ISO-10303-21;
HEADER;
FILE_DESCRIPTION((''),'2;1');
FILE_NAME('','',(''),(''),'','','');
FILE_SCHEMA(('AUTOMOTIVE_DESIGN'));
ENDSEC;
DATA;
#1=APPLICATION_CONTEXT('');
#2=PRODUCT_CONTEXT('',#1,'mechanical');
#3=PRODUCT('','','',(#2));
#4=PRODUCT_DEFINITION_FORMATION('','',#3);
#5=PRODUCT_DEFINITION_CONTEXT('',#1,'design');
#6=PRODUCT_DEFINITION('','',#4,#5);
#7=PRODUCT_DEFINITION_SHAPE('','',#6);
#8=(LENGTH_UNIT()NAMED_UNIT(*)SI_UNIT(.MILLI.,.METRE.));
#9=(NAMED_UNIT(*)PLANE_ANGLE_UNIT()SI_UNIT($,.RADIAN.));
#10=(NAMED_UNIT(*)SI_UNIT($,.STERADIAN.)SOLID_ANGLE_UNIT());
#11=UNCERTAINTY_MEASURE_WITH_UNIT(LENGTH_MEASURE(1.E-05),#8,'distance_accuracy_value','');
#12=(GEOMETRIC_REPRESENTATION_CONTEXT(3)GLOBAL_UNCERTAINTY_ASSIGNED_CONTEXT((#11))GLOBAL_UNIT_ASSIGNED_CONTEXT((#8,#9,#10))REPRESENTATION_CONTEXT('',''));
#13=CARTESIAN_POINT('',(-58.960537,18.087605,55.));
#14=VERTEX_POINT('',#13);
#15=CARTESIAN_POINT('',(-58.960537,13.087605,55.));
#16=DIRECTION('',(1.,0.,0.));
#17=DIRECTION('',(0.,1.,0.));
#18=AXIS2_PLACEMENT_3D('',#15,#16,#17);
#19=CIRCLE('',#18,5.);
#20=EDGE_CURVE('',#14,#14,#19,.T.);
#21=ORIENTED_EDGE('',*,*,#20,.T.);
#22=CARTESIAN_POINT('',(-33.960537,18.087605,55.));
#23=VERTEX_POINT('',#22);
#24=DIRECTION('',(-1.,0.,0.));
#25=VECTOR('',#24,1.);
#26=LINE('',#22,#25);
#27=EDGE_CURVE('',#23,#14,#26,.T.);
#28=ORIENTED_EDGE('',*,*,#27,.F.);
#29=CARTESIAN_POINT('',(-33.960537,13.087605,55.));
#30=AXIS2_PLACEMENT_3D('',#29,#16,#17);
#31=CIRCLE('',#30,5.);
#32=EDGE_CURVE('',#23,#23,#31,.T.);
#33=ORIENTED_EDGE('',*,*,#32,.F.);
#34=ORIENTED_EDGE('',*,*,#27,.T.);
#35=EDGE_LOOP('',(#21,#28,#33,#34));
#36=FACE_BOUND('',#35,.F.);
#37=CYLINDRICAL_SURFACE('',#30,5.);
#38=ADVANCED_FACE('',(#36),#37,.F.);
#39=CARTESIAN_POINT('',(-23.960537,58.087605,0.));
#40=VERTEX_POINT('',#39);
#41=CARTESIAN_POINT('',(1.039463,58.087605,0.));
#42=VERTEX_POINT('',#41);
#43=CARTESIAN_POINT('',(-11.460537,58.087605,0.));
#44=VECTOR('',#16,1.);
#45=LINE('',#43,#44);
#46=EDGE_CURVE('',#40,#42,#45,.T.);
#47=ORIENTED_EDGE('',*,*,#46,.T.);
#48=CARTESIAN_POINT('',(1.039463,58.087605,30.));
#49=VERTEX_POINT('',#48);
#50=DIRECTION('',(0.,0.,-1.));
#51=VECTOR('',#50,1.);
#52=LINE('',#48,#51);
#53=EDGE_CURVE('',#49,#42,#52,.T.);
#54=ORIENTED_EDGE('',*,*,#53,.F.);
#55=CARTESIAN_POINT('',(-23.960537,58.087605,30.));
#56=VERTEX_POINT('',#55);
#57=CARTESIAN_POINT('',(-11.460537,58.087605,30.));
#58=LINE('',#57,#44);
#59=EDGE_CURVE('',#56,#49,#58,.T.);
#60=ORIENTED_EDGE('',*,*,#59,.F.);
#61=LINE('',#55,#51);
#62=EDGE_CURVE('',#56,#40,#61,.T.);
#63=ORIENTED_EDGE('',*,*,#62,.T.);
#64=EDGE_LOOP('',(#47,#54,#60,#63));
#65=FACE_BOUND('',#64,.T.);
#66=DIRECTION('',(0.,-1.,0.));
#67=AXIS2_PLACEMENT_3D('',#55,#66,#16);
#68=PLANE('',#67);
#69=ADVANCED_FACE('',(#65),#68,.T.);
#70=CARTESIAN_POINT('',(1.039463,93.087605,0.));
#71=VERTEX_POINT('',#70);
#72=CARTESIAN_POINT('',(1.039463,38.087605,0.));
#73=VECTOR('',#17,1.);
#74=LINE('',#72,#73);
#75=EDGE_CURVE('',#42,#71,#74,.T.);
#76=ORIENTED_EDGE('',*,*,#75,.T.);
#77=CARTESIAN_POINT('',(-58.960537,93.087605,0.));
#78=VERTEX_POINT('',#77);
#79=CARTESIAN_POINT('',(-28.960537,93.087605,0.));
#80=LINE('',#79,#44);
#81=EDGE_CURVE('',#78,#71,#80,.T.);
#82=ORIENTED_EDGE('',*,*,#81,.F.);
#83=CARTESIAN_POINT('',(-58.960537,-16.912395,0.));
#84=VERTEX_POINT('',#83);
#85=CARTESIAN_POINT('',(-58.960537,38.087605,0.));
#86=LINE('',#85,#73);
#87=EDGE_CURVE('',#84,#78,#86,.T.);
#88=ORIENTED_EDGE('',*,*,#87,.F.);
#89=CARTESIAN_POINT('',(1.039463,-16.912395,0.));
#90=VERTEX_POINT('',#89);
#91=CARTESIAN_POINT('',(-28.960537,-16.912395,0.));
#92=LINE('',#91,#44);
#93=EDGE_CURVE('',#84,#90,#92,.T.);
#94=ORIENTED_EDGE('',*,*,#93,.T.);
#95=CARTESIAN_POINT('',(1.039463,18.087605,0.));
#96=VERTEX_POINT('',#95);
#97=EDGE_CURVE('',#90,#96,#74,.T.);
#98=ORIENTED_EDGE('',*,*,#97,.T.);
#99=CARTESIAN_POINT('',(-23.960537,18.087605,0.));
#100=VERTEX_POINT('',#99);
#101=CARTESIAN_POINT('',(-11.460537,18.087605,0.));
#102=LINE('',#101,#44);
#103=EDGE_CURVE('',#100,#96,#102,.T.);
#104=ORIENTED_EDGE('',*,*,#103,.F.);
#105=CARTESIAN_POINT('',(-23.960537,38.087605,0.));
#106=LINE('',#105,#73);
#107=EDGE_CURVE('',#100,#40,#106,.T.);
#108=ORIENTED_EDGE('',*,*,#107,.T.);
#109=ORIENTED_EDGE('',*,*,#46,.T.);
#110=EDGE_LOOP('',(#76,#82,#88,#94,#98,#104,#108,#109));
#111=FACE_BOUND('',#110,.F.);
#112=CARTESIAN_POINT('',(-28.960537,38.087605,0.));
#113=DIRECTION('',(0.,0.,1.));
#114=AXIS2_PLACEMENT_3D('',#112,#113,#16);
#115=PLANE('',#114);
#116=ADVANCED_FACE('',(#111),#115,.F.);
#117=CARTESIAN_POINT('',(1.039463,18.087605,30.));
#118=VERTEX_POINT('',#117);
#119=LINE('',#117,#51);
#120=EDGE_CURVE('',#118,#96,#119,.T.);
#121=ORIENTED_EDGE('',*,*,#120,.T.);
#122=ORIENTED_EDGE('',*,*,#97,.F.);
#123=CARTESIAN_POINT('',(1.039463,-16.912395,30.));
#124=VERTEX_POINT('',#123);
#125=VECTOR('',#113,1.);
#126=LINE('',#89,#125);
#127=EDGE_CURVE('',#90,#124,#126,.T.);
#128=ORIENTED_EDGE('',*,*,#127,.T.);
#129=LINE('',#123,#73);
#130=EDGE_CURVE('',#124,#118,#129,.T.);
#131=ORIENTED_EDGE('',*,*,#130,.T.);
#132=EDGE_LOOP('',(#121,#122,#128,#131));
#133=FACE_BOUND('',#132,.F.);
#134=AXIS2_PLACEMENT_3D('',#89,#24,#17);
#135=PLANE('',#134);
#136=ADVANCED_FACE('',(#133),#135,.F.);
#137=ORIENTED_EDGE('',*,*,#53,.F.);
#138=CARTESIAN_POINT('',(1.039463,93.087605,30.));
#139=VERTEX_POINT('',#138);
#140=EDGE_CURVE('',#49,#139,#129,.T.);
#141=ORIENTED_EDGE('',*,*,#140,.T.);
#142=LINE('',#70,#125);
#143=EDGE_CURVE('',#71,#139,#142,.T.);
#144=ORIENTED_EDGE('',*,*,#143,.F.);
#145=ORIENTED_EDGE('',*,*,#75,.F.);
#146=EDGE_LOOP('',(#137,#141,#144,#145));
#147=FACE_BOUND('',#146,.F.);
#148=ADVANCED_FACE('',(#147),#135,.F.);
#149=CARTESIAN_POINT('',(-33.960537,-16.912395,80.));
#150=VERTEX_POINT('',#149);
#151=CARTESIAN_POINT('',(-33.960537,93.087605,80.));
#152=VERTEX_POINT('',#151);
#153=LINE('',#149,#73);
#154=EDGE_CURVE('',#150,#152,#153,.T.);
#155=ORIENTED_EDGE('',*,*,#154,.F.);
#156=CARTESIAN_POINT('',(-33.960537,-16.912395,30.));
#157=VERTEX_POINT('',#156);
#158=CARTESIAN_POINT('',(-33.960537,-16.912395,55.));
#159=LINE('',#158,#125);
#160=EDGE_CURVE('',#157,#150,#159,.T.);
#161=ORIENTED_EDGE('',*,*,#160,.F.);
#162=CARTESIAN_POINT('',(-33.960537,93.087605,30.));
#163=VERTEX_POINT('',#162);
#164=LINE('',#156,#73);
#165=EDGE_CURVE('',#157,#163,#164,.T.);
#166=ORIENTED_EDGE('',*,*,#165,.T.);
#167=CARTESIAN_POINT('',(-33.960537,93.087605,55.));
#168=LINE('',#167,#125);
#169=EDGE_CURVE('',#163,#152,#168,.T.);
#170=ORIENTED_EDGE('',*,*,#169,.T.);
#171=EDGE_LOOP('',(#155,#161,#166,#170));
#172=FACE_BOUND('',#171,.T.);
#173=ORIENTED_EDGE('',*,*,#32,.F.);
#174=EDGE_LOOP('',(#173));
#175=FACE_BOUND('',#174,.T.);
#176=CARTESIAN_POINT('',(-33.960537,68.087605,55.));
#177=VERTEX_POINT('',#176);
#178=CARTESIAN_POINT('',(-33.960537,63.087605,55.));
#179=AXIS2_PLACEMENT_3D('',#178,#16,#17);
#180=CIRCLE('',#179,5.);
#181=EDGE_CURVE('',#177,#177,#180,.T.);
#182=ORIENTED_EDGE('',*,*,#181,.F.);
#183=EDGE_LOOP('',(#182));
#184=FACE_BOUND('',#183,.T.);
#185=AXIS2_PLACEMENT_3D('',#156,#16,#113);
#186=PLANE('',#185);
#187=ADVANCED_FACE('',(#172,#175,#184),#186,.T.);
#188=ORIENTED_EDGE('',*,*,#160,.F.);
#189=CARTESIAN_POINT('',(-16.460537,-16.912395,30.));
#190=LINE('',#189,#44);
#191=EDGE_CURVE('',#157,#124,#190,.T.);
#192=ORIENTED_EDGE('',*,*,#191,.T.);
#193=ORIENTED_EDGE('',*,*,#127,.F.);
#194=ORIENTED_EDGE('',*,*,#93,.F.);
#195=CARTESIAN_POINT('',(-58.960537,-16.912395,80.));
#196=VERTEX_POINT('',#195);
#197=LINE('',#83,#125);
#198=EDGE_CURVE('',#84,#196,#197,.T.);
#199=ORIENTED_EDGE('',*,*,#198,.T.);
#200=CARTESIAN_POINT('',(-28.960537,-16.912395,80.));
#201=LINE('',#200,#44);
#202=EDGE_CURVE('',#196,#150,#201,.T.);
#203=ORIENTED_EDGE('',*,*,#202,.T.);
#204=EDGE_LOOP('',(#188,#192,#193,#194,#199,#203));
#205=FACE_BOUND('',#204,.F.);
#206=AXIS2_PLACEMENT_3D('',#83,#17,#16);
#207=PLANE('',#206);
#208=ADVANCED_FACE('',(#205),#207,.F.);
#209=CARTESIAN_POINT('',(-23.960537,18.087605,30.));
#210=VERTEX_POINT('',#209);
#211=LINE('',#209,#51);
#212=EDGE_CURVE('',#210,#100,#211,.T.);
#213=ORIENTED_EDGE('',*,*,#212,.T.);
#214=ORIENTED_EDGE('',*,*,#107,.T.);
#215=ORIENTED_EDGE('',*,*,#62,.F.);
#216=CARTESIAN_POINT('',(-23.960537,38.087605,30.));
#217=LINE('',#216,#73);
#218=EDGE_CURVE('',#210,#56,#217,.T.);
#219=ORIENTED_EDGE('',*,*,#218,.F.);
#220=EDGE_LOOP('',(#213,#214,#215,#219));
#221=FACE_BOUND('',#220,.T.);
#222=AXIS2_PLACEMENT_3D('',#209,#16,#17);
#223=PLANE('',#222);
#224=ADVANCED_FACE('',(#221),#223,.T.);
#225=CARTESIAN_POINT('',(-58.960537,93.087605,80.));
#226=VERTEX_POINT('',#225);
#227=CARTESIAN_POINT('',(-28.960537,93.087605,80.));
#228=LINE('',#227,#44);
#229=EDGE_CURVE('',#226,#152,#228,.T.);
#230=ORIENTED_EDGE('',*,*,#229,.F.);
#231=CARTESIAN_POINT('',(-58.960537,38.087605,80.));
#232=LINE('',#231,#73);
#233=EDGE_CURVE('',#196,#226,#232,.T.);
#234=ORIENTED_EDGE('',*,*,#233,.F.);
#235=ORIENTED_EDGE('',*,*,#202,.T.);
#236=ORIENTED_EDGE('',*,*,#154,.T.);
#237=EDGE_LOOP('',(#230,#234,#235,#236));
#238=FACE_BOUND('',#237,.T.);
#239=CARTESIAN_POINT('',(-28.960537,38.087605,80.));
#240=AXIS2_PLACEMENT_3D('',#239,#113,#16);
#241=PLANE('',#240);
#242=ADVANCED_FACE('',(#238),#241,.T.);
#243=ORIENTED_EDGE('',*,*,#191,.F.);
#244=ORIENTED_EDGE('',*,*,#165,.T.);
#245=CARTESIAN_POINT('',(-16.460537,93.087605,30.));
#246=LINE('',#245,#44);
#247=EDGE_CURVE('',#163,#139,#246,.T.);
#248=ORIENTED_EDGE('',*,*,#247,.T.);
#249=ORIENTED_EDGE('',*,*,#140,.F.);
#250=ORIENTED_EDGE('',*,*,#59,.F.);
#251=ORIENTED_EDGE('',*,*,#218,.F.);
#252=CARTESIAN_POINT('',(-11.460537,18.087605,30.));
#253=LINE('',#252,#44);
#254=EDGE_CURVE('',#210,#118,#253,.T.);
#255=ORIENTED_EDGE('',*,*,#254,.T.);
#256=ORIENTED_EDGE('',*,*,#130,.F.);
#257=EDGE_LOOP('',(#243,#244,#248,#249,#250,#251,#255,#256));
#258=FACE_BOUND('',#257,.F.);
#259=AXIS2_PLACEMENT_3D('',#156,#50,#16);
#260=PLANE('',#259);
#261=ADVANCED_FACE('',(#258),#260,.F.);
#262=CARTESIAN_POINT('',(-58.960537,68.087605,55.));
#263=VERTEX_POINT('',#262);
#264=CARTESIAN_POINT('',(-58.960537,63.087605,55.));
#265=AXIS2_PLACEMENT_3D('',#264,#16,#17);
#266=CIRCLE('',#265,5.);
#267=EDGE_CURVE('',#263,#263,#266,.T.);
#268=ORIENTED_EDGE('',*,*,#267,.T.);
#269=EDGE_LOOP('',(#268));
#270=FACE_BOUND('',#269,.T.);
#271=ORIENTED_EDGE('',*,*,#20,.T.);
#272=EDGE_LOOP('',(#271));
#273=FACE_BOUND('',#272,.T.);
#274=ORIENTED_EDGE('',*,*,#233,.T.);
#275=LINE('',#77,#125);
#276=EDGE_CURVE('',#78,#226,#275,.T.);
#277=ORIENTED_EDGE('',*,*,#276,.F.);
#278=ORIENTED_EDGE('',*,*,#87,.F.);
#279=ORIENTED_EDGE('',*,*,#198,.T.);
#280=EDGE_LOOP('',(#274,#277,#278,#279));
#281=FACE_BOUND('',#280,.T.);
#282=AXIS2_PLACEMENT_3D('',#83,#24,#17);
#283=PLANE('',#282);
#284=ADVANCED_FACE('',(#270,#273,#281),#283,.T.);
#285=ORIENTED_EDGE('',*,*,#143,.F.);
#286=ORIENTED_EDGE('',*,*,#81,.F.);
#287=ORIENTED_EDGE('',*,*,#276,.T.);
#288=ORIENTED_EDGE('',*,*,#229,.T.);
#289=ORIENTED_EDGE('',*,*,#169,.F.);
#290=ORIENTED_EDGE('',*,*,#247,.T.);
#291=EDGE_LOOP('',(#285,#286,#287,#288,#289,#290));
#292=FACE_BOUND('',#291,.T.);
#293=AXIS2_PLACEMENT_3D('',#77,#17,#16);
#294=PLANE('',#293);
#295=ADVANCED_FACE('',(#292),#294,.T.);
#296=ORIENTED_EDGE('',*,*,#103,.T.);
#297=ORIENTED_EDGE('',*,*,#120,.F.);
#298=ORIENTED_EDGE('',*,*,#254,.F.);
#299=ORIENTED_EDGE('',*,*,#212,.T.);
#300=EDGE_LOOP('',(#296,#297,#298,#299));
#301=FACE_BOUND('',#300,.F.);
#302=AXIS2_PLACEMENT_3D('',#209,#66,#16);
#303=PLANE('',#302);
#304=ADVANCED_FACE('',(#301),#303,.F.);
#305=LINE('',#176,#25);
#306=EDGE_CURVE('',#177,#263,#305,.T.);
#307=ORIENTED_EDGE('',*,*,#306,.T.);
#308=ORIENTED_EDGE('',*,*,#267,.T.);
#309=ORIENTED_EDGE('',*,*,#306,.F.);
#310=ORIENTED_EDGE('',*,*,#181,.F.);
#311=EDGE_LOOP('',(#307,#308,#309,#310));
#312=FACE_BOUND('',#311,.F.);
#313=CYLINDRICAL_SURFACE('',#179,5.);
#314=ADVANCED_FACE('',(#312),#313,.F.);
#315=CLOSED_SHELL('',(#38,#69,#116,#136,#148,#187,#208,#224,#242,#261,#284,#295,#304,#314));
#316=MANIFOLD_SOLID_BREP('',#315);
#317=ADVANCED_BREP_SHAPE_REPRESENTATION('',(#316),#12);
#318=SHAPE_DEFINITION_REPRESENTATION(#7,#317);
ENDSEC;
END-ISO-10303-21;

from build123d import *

# Parameters (mm, degrees)
F0_W     = 60
F0_H     = 110
F1_DEPTH = 80
F2_W     = 35
F2_H     = 50
F3_DEPTH = 110
F4_W     = 25
F4_H     = 40
F5_DEPTH = 30
F6_R     = 5
F7_DEPTH = 25


with BuildPart() as f1:
    # F0 (on Top) → F1 (new body)
    with BuildSketch(Plane.XY):
        with Locations((-28.960537, 38.087605)):
            Rectangle(F0_W, F0_H)
    extrude(amount=F1_DEPTH)

    # F2 (on face) → F3 (cut)
    with BuildSketch(Plane.XZ.offset(16.912395)):
        with Locations((-16.460537, 55)):
            Rectangle(F2_W, F2_H)
    extrude(amount=-F3_DEPTH, mode=Mode.SUBTRACT)

    # F4 (on face) → F5 (cut)
    with BuildSketch(Plane.XY.offset(30)):
        with Locations((-11.460537, 38.087605)):
            Rectangle(F4_W, F4_H)
    extrude(amount=-F5_DEPTH, mode=Mode.SUBTRACT)

    # F6 (on face) → F7 (cut)
    with BuildSketch(Plane.YZ.offset(-33.960537)):
        with Locations((13.087605, 55)):
            Circle(F6_R)
        with Locations((63.087605, 55)):
            Circle(F6_R)
    extrude(amount=-F7_DEPTH, mode=Mode.SUBTRACT)


solid = f1.part
